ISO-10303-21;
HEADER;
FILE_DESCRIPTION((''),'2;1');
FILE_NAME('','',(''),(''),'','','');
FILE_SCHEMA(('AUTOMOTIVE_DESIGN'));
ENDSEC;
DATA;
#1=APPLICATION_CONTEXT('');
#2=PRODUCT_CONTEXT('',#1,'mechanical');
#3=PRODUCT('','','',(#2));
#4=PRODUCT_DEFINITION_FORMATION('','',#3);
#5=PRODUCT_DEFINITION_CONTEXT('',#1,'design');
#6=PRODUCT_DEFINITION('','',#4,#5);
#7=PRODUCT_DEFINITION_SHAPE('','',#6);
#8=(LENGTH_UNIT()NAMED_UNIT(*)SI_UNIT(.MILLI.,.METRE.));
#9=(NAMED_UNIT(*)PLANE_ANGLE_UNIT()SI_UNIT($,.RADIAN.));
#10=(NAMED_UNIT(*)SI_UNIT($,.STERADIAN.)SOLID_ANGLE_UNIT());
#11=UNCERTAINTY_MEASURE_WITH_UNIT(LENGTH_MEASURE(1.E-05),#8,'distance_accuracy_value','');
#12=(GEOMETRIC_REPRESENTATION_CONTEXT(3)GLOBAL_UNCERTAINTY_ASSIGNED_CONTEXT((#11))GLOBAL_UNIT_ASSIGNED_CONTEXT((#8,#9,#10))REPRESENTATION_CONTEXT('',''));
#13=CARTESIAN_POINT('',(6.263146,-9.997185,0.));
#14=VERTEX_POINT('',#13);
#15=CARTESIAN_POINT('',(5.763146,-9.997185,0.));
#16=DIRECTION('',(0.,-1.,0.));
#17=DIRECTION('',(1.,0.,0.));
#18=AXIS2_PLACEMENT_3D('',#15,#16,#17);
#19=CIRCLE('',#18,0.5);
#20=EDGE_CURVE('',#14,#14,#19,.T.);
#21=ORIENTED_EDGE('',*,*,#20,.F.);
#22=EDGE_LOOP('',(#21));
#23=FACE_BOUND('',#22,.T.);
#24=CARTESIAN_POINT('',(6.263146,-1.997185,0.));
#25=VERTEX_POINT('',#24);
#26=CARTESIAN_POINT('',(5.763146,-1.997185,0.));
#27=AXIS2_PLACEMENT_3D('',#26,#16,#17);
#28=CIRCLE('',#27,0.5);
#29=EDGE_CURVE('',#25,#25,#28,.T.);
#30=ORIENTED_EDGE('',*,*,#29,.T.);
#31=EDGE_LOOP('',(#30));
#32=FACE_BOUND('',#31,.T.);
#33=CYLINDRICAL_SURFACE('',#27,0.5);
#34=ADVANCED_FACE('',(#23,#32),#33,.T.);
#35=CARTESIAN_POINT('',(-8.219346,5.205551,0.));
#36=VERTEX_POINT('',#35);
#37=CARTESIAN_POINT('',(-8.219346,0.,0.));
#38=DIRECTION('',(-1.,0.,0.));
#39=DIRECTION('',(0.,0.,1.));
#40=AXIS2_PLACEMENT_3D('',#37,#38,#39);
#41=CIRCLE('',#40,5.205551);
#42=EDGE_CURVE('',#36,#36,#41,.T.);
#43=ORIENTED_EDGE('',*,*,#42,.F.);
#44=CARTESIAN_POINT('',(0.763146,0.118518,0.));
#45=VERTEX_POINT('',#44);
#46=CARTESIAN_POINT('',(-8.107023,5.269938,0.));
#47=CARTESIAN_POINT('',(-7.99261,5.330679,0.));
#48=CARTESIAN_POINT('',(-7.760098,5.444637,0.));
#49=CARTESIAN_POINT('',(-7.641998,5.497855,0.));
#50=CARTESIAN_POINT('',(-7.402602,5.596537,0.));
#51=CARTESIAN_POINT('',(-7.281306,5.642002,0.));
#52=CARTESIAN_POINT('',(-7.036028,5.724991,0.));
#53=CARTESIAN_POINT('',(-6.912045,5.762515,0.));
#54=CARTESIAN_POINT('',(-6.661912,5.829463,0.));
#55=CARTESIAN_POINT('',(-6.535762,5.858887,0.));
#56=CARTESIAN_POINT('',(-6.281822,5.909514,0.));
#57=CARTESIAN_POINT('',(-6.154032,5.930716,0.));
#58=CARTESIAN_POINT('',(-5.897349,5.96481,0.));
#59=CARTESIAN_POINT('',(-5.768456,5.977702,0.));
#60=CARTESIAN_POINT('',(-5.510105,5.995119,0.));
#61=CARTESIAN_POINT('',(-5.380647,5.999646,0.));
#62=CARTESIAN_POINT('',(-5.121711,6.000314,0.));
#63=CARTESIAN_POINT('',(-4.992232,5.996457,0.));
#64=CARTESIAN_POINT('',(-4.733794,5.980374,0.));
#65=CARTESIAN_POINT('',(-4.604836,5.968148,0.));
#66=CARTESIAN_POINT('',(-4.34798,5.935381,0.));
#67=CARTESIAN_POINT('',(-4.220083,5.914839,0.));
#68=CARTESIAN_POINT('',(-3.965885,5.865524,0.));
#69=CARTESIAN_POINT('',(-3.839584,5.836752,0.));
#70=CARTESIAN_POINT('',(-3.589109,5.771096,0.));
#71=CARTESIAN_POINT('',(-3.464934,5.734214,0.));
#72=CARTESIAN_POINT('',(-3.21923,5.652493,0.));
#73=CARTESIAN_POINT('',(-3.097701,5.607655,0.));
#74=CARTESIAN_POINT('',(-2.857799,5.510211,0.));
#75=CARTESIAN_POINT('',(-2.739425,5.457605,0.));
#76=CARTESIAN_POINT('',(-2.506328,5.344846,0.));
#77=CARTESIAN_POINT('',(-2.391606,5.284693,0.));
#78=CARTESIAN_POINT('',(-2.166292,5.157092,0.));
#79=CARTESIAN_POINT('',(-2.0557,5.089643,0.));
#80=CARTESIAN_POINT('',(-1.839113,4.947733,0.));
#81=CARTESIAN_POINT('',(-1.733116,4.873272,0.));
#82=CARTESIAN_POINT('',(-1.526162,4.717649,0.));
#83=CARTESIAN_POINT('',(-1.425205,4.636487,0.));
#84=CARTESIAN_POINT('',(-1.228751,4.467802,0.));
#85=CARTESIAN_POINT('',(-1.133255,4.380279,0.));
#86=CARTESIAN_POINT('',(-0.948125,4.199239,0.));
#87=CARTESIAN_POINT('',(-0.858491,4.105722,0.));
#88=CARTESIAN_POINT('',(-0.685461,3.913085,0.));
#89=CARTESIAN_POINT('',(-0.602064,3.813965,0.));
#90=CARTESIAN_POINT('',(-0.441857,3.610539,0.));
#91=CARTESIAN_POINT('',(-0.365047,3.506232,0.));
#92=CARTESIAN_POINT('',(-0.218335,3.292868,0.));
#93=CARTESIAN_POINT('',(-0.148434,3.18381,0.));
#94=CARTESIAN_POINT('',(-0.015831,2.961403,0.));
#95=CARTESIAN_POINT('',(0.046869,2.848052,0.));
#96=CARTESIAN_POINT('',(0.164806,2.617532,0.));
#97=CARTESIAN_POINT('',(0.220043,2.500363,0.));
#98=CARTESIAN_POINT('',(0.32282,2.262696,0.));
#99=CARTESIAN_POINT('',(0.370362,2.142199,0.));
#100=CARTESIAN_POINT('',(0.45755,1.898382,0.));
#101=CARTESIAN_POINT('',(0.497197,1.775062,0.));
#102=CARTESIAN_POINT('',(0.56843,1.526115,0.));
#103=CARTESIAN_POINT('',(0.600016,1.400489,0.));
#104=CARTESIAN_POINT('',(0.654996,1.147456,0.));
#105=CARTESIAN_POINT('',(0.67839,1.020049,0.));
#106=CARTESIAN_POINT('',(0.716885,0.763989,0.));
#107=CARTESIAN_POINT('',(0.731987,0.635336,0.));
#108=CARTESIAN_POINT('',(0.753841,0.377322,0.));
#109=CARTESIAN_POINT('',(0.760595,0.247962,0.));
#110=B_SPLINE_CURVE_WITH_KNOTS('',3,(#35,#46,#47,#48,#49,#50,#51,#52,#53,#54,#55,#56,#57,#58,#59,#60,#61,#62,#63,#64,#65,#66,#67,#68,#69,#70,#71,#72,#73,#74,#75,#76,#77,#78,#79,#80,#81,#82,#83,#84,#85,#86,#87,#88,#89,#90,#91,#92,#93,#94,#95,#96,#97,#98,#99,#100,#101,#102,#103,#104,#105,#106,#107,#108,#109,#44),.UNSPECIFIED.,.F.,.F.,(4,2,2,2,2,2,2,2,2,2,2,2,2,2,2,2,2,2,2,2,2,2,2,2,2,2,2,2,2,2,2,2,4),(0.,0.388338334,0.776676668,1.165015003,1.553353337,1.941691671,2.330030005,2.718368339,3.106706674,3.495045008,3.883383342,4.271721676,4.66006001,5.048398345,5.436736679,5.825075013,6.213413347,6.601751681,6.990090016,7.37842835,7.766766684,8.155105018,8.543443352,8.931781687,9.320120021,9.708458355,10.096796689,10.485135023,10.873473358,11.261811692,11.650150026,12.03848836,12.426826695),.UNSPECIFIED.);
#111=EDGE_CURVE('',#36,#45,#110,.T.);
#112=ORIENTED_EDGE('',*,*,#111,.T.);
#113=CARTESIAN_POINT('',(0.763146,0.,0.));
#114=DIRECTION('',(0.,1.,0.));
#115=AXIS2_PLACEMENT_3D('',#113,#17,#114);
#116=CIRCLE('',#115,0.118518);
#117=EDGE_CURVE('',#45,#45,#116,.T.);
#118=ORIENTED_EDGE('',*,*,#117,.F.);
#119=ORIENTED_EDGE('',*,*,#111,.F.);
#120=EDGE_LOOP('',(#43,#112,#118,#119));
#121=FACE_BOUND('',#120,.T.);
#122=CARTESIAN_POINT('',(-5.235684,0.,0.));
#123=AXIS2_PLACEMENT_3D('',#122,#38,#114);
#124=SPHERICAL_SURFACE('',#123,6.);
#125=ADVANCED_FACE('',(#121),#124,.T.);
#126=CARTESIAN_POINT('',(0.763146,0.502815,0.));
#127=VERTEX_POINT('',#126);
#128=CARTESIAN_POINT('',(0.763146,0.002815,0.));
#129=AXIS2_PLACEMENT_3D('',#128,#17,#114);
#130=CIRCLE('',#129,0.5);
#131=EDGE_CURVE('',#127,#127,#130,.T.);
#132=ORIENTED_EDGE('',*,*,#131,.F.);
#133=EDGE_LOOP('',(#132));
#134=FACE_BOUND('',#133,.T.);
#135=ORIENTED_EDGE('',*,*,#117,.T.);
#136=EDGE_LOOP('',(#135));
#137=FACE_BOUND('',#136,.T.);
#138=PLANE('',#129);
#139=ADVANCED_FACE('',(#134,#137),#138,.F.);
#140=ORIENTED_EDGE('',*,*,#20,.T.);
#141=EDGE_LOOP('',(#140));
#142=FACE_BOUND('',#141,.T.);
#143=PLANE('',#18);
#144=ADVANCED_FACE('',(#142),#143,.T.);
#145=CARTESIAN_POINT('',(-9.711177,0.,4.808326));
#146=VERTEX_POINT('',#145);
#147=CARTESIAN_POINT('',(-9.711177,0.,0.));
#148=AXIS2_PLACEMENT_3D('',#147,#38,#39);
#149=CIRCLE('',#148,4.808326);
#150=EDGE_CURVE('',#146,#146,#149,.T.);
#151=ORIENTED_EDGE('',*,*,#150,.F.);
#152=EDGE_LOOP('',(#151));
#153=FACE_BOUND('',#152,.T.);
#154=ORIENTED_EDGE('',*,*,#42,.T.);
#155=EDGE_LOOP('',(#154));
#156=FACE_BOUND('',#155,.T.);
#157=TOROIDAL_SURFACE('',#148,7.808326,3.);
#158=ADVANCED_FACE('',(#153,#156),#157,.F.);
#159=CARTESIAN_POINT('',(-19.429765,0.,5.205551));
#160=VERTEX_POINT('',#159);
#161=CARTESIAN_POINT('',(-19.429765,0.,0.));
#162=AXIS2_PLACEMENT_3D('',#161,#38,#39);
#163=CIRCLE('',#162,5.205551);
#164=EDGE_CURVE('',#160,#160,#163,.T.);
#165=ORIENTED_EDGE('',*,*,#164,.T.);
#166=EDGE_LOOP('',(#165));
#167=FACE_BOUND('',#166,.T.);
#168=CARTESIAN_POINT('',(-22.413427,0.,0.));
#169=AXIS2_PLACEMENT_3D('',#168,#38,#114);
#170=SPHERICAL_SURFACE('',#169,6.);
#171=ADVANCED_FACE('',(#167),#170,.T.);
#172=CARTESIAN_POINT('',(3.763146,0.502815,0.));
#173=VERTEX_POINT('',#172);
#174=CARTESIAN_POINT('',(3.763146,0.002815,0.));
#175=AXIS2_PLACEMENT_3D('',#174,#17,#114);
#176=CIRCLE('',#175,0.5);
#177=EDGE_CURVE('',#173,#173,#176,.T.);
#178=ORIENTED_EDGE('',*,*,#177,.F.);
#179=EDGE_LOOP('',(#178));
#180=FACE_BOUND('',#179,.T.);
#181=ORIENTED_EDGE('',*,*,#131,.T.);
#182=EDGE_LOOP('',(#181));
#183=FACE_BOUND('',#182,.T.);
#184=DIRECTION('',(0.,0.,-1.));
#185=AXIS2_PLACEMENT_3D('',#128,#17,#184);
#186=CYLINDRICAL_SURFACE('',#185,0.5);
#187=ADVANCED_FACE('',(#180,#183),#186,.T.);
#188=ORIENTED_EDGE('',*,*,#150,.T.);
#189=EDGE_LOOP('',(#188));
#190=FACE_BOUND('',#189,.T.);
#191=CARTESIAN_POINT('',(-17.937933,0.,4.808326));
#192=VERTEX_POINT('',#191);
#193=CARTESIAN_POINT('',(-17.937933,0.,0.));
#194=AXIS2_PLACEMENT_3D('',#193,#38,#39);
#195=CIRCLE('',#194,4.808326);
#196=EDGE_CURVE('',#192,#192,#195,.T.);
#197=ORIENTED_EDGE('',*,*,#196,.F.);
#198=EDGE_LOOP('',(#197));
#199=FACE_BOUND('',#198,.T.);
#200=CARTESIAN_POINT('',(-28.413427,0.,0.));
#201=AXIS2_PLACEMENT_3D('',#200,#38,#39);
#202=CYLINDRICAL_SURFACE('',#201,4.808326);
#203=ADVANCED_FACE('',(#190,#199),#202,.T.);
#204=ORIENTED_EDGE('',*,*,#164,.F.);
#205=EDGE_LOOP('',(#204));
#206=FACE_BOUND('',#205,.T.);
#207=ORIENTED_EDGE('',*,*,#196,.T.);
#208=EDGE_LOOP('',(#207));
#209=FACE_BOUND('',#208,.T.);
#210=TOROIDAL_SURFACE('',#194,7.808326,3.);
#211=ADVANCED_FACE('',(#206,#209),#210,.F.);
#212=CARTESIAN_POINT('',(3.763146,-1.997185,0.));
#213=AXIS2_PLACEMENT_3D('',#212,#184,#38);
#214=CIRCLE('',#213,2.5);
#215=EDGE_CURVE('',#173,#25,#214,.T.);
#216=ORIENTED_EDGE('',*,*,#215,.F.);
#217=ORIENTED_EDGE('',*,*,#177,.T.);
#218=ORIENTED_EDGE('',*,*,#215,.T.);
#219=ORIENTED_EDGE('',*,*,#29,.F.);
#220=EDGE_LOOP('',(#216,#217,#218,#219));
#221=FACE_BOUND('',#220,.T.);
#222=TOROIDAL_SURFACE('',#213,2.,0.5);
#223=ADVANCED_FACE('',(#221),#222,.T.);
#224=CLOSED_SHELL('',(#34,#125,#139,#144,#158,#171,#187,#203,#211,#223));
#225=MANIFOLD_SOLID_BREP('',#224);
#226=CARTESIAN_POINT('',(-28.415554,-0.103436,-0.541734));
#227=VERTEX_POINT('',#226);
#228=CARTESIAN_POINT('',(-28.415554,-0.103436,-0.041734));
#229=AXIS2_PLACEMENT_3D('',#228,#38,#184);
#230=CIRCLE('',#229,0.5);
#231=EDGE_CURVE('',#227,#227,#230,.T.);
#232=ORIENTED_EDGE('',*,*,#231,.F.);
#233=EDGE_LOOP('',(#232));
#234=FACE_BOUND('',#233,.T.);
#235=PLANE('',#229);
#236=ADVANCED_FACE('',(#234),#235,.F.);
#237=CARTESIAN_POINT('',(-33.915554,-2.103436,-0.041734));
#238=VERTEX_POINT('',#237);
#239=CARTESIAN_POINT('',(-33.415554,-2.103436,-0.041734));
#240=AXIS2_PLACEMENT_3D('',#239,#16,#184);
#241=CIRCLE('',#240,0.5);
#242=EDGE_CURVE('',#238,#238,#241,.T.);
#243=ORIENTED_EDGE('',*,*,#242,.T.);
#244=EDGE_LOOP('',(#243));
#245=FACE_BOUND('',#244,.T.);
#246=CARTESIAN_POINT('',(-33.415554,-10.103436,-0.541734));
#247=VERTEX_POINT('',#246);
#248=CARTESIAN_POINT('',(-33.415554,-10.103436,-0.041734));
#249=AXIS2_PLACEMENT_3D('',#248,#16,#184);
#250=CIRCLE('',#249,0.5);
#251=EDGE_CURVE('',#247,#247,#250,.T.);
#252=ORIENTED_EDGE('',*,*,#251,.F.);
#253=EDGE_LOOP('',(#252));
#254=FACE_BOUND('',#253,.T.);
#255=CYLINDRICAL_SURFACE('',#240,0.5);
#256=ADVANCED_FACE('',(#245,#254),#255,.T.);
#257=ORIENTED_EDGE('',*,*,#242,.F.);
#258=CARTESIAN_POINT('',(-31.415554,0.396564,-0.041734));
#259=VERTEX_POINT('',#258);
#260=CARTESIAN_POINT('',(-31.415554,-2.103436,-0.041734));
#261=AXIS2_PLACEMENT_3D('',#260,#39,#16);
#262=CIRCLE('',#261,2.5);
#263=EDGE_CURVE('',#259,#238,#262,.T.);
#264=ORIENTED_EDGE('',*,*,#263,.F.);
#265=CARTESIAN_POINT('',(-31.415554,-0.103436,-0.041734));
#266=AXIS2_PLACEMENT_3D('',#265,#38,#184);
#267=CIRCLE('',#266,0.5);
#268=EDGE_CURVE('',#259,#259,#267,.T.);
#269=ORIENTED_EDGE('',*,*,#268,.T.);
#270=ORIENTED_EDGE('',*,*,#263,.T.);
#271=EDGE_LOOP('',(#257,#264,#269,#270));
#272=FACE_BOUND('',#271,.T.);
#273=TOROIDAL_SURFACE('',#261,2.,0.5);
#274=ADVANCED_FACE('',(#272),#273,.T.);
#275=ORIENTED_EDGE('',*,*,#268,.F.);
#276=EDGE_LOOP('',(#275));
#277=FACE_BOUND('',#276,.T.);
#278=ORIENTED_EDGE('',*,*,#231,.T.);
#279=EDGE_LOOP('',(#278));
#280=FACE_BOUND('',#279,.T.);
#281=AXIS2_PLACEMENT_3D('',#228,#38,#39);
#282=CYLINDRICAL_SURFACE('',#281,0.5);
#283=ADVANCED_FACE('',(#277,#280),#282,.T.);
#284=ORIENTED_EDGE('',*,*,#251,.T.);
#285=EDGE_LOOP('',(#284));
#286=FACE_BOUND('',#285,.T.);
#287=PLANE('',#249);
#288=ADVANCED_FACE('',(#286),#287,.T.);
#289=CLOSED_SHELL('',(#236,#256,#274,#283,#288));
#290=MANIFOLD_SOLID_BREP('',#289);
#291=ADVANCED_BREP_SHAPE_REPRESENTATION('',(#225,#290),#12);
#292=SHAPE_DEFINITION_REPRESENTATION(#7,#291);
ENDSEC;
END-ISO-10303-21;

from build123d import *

# Parameters (mm, degrees)
IZIM6_R  = 0.5
IZIM12_R = 0.5


with BuildPart() as part:
    # Çizim3 → Döndür2 (revolve)
    with BuildSketch(Plane.XY, mode=Mode.PRIVATE) as d_nd_r2_sk:
        with BuildLine():
            Line((-17.937933441, 4.808326112), (-9.711177345, 4.808326112))
            ThreePointArc((-9.711177345, 4.808326112), (-8.939272594, 4.909332656), (-8.219346131, 5.205550741))
            ThreePointArc((-8.219346131, 5.205550741), (-2.227526009, 5.191434029), (0.764316296, 0))
            Line((0.764316296, 0), (-28.413427082, 0))
            ThreePointArc((-28.413427082, 0), (-25.421584777, 5.191434029), (-19.429764655, 5.205550741))
            ThreePointArc((-19.429764655, 5.205550741), (-18.709838192, 4.909332656), (-17.937933441, 4.808326112))
        make_face()
    revolve(d_nd_r2_sk.sketch.rotate(Axis((-28.413427082, 0, 0), (1, 0, 0)), 90), axis=Axis((-28.413427082, 0, 0), (1, 0, 0)))

    # Süpür4: sweep along a curve in space
    with BuildLine() as s_p_r4_path:
        Line((0.763145635, 0.002815014, 0), (3.763145635, 0.002815014, 0))
        ThreePointArc((3.763145635, 0.002815014, 0), (5.177359197, -0.582971423, 0), (5.763145635, -1.997184986, 0))
        Line((5.763145635, -1.997184986, 0), (5.763145635, -9.997184986, 0))
    # Çizim12 → Süpür4 (sweep)
    with BuildSketch(Plane(origin=(5.763145635, -9.997184986, 0), x_dir=(-1, 0, 0), z_dir=(0, -1, 0))):
        Circle(IZIM12_R)
    sweep(path=s_p_r4_path.line)


with BuildPart() as body_2:
    # Süpür2: sweep along a curve in space
    with BuildLine() as s_p_r2_path:
        Line((-33.415554198, -2.103436393, -0.04173432), (-33.415554198, -10.103436393, -0.04173432))
        ThreePointArc((-33.415554198, -2.103436393, -0.04173432), (-32.829767761, -0.689222831, -0.04173432), (-31.415554198, -0.103436393, -0.04173432))
        Line((-28.415554198, -0.103436393, -0.04173432), (-31.415554198, -0.103436393, -0.04173432))
    # Çizim6 → Süpür2 (sweep)
    with BuildSketch(Plane(origin=(-33.415554198, -10.103436393, -0.04173432), x_dir=(-1, 0, 0), z_dir=(0, -1, 0))):
        Circle(IZIM6_R)
    sweep(path=s_p_r2_path.line)


solid = Compound([part.part, body_2.part])
